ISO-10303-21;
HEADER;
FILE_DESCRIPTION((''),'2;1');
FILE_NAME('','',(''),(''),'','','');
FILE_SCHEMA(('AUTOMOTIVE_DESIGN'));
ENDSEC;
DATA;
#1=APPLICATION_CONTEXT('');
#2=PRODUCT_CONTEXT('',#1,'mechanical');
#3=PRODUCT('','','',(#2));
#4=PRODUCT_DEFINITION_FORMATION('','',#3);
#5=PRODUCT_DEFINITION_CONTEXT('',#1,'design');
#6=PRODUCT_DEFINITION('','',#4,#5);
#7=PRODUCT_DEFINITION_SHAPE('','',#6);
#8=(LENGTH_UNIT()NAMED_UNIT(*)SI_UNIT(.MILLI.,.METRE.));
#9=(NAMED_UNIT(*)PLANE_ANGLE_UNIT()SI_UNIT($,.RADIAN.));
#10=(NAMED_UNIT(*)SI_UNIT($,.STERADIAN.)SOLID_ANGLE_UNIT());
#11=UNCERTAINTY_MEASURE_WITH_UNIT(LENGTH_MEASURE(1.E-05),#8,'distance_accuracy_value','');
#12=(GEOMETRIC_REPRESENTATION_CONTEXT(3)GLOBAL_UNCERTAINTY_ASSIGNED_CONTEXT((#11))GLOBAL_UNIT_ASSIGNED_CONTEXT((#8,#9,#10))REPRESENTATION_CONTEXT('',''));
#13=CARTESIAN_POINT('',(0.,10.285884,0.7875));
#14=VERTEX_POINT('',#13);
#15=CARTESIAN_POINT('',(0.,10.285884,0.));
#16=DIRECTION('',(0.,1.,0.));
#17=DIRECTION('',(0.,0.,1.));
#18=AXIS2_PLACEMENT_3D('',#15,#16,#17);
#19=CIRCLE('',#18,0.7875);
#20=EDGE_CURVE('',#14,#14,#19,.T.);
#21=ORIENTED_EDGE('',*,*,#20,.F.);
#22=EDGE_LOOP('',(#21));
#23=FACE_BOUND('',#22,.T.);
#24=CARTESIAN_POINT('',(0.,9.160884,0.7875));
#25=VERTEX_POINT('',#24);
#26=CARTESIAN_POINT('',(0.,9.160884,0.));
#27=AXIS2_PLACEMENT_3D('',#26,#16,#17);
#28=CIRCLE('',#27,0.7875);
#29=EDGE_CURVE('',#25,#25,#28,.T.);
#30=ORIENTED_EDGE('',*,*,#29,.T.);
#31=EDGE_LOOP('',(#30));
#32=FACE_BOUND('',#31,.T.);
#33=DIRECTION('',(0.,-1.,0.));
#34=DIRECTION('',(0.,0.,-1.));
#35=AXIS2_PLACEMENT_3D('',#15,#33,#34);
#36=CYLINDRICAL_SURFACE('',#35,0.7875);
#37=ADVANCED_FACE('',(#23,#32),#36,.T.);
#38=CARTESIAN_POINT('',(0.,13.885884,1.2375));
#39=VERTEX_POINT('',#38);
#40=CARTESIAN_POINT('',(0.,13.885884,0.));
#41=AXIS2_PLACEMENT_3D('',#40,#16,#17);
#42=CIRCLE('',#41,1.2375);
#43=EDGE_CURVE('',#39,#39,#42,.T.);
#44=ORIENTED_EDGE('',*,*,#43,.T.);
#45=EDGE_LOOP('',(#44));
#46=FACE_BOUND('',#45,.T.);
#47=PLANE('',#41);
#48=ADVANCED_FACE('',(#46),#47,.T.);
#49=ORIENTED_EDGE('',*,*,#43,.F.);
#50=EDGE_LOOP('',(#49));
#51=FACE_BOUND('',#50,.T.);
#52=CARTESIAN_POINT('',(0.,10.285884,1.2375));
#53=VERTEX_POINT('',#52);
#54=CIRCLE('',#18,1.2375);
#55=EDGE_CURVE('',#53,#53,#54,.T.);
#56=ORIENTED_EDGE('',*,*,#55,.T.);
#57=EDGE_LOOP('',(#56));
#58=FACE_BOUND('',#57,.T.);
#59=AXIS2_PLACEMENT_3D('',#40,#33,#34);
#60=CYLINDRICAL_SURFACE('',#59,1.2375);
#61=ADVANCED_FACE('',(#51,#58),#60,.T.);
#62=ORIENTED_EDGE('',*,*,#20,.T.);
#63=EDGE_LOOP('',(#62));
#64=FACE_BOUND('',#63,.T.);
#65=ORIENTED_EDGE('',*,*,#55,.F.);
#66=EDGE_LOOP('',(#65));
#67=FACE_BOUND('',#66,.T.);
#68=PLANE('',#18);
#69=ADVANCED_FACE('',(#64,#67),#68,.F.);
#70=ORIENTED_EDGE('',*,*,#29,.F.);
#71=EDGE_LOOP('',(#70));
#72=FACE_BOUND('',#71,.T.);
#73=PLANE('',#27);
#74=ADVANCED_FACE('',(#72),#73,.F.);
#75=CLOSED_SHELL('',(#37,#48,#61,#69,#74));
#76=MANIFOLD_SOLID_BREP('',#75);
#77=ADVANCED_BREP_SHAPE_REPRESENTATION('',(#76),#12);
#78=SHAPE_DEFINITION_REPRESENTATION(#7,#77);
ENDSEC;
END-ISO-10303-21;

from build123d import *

# Parameters (mm, degrees)
SKETCH1_R           = 3.5
BOSS_EXTRUDE1_DEPTH = 5
SKETCH2_R           = 5.5
BOSS_EXTRUDE2_DEPTH = 16
SCALE1_SCALE        = 0.225


with BuildPart() as part:
    # Sketch1 → Boss-Extrude1 (new body)
    with BuildSketch(Plane(origin=(0, 0, 0), x_dir=(1, 0, 0), z_dir=(0, 1, 0))):
        Circle(SKETCH1_R)
    extrude(amount=BOSS_EXTRUDE1_DEPTH)

    # Sketch2 → Boss-Extrude2 (add)
    with BuildSketch(Plane(origin=(0, 5, 0), x_dir=(1, 0, 0), z_dir=(0, 1, 0))):
        Circle(SKETCH2_R)
    extrude(amount=BOSS_EXTRUDE2_DEPTH)


with BuildPart() as part_1:
    # Scale1: scaled about (0, 11.820495186, 0)
    add(part.part.scale(SCALE1_SCALE).moved(Location((0, 9.160883769, 0))))


solid = part_1.part
